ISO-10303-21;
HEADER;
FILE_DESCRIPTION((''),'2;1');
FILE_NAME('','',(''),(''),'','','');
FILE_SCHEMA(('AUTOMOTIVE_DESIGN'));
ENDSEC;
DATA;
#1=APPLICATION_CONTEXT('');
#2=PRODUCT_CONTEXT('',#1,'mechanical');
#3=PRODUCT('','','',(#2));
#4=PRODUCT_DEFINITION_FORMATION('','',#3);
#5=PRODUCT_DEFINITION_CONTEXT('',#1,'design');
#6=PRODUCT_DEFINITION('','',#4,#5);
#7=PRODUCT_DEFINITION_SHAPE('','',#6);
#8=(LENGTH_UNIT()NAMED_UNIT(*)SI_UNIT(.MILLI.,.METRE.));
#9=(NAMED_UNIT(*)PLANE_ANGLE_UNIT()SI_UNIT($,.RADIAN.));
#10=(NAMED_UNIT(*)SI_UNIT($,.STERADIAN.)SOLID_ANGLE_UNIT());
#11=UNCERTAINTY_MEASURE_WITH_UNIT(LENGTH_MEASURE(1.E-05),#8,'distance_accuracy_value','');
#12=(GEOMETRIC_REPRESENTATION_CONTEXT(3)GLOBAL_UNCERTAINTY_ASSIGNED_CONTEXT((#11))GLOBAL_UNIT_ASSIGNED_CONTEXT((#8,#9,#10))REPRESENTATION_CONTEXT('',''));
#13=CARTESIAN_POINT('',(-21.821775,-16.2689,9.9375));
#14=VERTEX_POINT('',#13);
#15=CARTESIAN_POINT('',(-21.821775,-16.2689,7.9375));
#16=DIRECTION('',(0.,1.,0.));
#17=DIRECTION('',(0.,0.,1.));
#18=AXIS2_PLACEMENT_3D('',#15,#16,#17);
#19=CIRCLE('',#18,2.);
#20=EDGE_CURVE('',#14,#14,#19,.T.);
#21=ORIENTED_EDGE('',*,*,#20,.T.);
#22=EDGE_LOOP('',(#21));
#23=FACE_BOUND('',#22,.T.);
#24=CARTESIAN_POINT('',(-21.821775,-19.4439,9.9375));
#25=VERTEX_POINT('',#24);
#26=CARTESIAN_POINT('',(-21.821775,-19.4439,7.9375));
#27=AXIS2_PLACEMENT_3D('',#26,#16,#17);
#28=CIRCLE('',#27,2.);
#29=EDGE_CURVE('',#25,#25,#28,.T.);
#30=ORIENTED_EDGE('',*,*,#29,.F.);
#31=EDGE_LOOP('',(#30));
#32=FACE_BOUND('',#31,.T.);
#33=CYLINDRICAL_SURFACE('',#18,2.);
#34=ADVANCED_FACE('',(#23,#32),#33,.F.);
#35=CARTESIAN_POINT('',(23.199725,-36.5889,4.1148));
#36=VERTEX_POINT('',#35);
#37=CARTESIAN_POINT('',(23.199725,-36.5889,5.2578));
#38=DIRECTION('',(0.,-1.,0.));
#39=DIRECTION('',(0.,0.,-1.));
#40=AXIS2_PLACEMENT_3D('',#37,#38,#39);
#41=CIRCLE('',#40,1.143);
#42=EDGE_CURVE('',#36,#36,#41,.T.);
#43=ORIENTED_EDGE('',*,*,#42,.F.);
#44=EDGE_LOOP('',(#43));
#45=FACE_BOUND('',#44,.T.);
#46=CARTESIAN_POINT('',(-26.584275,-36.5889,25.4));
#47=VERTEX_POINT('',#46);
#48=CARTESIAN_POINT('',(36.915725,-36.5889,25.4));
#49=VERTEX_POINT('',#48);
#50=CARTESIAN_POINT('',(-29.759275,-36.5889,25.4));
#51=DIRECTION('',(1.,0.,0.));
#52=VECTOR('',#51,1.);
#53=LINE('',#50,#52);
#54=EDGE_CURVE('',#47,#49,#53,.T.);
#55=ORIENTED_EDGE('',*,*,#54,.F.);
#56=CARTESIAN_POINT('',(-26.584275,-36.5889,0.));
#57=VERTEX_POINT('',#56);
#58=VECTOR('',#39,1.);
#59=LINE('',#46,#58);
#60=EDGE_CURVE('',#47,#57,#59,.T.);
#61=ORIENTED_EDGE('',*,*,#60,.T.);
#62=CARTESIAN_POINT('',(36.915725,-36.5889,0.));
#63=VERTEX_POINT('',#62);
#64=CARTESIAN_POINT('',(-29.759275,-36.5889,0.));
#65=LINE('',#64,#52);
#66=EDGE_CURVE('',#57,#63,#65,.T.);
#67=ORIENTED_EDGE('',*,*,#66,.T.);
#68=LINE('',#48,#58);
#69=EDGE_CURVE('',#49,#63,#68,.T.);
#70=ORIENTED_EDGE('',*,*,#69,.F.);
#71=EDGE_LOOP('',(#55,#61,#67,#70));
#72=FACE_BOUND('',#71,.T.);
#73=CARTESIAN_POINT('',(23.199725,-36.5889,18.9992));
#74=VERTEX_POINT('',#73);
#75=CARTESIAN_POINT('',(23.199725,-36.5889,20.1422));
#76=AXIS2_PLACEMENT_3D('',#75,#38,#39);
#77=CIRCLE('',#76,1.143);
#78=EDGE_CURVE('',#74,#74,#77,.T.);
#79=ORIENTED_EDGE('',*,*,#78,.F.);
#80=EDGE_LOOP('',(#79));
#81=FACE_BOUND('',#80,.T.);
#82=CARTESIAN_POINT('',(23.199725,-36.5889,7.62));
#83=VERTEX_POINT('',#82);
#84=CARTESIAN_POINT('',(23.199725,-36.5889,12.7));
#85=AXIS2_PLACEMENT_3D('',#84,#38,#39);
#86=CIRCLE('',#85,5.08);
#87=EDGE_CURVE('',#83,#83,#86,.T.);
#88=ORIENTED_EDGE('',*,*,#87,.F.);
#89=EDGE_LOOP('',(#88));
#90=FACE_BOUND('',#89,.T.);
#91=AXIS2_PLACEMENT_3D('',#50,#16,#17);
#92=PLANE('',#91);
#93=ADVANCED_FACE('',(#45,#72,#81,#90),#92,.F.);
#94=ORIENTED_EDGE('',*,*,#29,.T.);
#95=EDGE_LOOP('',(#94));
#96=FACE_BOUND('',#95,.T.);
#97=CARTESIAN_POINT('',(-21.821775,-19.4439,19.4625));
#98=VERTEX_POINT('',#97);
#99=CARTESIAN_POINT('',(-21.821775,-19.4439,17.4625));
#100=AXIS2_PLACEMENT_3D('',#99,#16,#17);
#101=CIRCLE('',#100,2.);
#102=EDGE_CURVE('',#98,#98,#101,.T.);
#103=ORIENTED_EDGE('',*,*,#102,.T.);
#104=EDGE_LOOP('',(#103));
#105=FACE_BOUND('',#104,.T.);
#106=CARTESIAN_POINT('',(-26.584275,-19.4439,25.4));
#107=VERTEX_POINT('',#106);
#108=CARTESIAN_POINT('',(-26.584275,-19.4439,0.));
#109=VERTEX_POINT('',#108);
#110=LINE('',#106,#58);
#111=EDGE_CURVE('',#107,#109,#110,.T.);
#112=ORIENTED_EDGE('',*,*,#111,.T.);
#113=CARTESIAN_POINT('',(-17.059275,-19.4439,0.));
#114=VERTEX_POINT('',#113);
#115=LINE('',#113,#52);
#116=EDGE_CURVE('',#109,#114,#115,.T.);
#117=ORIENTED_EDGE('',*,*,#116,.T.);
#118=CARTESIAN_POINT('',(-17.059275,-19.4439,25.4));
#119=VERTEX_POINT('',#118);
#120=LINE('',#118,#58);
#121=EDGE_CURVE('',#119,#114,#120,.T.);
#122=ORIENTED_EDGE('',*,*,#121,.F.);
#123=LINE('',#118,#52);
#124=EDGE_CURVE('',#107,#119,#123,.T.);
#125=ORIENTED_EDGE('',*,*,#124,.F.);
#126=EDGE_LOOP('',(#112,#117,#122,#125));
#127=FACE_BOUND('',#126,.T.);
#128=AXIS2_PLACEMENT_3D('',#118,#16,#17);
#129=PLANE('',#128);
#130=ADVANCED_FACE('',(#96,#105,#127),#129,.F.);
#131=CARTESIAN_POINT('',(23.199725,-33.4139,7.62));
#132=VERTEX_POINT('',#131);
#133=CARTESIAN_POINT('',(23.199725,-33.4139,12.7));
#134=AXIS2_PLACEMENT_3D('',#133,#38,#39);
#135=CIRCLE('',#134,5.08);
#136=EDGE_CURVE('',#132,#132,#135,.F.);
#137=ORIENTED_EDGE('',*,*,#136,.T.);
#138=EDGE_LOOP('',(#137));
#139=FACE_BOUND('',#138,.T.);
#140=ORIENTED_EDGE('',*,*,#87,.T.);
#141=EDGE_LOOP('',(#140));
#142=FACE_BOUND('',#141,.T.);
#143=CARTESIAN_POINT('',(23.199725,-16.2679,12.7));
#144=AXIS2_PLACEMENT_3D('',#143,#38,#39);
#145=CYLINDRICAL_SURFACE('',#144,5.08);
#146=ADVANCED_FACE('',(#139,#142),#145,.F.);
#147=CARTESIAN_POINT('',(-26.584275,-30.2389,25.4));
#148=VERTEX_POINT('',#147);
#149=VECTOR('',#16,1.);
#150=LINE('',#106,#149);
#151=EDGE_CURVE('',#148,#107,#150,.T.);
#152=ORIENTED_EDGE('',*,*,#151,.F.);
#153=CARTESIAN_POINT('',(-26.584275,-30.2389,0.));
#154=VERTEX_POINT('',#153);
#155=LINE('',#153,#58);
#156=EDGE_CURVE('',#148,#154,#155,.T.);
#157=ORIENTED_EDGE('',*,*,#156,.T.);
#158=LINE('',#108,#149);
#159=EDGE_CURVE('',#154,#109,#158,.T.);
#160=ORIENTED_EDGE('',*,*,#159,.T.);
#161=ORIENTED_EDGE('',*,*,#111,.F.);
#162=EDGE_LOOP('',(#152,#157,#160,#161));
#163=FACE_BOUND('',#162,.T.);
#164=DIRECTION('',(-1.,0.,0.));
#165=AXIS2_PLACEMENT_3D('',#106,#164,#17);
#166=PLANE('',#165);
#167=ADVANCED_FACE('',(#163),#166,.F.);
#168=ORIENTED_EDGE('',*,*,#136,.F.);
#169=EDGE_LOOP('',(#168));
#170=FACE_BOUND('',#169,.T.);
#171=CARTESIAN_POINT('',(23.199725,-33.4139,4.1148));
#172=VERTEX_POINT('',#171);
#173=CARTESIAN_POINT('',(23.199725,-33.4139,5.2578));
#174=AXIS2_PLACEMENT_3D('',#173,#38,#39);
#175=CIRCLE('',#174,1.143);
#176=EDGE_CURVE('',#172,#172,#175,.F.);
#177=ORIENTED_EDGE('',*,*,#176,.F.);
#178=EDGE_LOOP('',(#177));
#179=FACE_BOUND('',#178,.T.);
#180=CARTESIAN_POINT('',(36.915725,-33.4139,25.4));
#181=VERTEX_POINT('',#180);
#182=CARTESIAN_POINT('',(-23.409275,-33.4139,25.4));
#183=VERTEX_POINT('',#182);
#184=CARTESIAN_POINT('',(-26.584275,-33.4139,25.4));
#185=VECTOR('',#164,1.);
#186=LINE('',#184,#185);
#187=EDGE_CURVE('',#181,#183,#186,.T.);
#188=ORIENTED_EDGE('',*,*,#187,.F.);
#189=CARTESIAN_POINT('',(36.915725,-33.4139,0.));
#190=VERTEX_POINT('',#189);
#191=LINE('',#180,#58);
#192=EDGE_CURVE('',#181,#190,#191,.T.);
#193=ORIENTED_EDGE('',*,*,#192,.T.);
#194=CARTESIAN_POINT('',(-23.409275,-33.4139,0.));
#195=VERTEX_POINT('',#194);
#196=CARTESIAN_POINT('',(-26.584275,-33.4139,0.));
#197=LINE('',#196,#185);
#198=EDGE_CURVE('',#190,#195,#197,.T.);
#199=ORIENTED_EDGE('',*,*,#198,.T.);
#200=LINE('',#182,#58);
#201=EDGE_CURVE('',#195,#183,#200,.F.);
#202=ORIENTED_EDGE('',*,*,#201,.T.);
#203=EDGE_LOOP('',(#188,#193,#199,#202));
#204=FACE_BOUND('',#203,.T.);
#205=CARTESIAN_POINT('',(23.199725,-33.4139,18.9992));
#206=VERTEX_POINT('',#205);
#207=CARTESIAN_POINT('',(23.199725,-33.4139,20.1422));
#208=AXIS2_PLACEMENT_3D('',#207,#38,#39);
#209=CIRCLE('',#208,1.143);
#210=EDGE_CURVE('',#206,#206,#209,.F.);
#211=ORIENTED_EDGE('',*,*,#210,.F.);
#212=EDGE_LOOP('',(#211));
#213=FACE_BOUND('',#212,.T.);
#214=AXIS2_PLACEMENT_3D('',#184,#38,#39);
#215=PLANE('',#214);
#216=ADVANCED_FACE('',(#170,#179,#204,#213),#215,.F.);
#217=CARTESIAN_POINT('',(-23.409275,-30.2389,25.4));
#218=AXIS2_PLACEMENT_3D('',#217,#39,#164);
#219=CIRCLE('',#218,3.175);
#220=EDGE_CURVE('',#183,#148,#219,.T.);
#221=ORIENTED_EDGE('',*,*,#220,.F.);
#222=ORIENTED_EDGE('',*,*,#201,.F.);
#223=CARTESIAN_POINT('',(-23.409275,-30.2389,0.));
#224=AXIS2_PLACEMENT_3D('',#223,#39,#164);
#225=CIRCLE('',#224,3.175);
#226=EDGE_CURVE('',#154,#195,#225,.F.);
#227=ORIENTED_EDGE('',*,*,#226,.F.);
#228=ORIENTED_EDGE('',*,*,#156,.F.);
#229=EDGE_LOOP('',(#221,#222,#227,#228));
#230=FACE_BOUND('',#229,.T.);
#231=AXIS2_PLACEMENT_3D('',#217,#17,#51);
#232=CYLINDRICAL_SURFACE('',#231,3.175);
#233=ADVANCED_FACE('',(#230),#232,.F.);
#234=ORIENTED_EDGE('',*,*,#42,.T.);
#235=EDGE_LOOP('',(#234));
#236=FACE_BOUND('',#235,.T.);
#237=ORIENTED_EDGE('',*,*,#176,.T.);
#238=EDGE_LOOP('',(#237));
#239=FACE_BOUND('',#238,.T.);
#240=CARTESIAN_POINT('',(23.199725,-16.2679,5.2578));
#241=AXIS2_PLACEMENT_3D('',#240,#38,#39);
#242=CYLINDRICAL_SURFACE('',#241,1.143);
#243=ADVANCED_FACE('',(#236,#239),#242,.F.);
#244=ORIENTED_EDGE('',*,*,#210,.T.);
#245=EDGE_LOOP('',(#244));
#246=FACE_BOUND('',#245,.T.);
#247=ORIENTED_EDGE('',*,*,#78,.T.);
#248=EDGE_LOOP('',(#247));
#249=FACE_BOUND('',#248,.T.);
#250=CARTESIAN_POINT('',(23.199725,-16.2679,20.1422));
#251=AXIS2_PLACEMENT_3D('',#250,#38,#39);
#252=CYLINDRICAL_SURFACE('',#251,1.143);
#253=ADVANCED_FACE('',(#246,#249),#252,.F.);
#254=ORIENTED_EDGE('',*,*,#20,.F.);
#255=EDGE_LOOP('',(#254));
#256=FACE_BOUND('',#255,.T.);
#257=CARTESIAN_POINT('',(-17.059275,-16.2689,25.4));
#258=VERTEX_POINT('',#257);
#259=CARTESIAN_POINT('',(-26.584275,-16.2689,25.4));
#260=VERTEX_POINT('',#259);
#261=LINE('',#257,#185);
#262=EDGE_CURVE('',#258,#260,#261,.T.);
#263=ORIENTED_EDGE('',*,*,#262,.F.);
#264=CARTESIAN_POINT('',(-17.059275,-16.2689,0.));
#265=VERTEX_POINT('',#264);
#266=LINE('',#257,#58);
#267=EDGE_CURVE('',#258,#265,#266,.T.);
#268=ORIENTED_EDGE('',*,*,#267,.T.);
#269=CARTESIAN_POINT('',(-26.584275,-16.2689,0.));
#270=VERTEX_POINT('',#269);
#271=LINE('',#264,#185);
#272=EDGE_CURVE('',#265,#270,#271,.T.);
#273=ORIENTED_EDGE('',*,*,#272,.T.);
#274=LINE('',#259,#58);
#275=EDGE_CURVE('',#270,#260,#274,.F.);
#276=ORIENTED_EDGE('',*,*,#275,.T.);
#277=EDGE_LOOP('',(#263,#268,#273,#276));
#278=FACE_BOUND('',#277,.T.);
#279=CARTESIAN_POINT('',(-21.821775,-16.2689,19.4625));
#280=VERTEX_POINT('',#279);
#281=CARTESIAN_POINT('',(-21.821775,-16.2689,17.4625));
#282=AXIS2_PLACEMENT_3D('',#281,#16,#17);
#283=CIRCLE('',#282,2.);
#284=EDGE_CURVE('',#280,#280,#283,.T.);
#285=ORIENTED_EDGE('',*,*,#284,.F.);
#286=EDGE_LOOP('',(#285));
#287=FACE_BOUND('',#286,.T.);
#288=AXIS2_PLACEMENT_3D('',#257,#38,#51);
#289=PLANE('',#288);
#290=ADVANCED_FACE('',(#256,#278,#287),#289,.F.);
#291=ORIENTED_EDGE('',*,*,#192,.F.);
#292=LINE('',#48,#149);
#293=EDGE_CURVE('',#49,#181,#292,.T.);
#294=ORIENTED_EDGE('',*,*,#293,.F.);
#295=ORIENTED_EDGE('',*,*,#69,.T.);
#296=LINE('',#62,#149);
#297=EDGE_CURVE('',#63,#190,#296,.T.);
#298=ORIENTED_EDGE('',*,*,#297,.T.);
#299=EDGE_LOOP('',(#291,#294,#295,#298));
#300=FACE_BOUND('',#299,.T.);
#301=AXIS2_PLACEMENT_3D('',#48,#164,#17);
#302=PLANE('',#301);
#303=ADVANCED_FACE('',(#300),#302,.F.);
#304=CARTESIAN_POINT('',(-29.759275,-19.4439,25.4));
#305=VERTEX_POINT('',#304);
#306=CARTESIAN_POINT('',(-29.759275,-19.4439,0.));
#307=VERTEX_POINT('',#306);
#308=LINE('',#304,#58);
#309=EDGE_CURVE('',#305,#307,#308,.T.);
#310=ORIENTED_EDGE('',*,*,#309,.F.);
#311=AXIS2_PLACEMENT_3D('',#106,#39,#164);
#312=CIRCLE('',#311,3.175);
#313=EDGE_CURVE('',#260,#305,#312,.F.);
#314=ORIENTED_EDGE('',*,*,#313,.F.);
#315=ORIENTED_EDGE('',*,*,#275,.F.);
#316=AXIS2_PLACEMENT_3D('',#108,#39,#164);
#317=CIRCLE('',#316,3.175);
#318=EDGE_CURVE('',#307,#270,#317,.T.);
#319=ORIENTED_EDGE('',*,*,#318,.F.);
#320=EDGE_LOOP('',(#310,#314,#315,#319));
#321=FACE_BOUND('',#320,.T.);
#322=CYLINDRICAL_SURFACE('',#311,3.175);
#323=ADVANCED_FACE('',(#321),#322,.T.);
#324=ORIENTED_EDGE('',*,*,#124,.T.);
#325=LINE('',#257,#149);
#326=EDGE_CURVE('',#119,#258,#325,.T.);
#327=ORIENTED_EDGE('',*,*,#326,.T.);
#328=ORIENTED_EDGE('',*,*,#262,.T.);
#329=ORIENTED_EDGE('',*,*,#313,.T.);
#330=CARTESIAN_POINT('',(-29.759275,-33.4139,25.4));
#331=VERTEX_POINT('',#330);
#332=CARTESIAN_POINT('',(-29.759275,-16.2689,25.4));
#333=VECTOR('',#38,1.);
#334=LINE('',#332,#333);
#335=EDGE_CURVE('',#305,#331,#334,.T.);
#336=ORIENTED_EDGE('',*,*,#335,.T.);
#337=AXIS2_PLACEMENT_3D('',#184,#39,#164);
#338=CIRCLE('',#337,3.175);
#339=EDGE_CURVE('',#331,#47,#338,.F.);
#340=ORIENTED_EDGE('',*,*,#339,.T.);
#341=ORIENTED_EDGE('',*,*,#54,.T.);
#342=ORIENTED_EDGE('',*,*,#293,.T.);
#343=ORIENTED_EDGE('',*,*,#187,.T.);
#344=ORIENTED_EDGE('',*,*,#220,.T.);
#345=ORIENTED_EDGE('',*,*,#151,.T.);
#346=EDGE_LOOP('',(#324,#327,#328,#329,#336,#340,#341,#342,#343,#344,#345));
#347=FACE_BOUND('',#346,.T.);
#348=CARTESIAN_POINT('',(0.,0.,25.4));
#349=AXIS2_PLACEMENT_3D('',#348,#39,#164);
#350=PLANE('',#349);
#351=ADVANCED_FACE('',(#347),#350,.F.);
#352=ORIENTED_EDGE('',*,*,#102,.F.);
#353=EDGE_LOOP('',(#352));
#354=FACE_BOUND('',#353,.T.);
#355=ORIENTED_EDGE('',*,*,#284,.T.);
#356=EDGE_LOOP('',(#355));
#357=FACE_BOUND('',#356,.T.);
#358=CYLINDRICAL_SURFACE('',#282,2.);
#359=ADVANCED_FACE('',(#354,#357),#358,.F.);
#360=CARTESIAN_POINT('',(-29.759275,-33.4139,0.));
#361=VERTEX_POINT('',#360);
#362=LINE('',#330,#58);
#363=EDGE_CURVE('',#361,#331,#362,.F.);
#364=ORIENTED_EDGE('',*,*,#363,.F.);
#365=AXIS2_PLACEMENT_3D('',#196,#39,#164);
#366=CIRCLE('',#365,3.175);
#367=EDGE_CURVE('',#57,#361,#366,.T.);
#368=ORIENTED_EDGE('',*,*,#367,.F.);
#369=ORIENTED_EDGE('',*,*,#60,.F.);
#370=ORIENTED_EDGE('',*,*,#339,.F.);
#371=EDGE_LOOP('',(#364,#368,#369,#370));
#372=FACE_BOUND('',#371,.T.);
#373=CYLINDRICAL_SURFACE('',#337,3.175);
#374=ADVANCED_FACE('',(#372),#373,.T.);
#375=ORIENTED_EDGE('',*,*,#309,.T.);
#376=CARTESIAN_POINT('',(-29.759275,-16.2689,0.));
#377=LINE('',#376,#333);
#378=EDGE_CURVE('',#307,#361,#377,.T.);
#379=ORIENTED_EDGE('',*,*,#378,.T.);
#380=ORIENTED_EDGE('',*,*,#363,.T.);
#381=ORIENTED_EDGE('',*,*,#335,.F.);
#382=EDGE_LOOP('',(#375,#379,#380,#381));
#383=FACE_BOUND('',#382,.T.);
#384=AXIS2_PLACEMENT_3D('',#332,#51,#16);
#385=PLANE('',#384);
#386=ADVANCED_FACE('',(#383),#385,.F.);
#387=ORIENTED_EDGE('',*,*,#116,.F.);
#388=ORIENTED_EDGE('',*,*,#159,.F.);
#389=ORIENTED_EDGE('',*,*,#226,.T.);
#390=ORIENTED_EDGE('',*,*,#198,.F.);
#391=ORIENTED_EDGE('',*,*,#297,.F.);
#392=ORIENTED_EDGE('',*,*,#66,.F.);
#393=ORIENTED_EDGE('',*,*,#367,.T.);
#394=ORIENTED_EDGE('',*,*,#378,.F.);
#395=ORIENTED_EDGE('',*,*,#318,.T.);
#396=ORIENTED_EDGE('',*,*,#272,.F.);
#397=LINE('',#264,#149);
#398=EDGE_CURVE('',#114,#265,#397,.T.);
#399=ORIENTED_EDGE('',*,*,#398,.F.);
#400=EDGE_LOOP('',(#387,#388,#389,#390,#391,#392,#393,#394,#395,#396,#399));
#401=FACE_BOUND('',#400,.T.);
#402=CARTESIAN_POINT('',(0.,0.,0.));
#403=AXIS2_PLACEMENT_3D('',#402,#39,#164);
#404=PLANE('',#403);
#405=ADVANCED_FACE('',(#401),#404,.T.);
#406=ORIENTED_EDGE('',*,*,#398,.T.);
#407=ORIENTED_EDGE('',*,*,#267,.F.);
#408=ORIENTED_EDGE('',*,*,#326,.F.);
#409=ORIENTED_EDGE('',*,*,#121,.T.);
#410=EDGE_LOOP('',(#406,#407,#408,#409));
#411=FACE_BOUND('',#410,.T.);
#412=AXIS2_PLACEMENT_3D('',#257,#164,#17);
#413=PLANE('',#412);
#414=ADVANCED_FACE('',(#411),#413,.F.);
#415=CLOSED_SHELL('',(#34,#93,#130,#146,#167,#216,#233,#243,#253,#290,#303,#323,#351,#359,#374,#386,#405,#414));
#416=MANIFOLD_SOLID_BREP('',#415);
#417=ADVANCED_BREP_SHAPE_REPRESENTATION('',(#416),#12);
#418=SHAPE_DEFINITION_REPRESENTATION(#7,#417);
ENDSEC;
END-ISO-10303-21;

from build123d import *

# Parameters (mm, degrees)
BOSS_EXTRUDE1_DEPTH       = 25.4
F_4_0MM_DOWEL_HOLE1_D     = 4
F_4_0MM_DOWEL_HOLE1_DEPTH = 3.175
CUT_EXTRUDE1_REACH        = 51.202
SKETCH7_R                 = 5.08
SKETCH7_R_2               = 1.143
FILLET1_R                 = 3.175


with BuildPart() as part:
    # Sketch1 → Boss-Extrude1 (new body)
    with BuildSketch(Plane.XY):
        Polygon((-17.059275079, -16.268900152), (-29.759275079, -16.268900152), (-29.759275079, -36.588900152), (36.915724921, -36.588900152), (36.915724921, -33.413900152), (-26.584275079, -33.413900152), (-26.584275079, -19.443900152), (-17.059275079, -19.443900152), align=None)
    extrude(amount=BOSS_EXTRUDE1_DEPTH)

    # Ø4.0mm Dowel Hole1
    with Locations(Plane(origin=(0, -16.268900152, 0), x_dir=(1, 0, 0), z_dir=(0, 1, 0))):
        with Locations((-21.821775079, -7.9375), (-21.821775079, -17.4625)):
            Hole(F_4_0MM_DOWEL_HOLE1_D / 2, depth=F_4_0MM_DOWEL_HOLE1_DEPTH)

    # Sketch7 → Cut-Extrude1 (cut, up to next)
    with BuildSketch(Plane.XZ.offset(36.588900152), mode=Mode.PRIVATE) as cut_extrude1_sk1:
        with Locations(Location((23.199724921, 12.7, 0), (0, 0, 270))):
            Circle(SKETCH7_R)
    cut_extrude1_tool1 = extrude(cut_extrude1_sk1.sketch, amount=-CUT_EXTRUDE1_REACH, mode=Mode.PRIVATE) & part.part
    # Sketch7 → Cut-Extrude1 (cut, up to next)
    with BuildSketch(Plane.XZ.offset(36.588900152), mode=Mode.PRIVATE) as cut_extrude1_sk2:
        with Locations(Location((23.199724921, 5.2578, 0), (0, 0, 270))):
            Circle(SKETCH7_R_2)
    cut_extrude1_tool2 = extrude(cut_extrude1_sk2.sketch, amount=-CUT_EXTRUDE1_REACH, mode=Mode.PRIVATE) & part.part
    # Sketch7 → Cut-Extrude1 (cut, up to next)
    with BuildSketch(Plane.XZ.offset(36.588900152), mode=Mode.PRIVATE) as cut_extrude1_sk3:
        with Locations(Location((23.199724921, 20.1422, 0), (0, 0, 270))):
            Circle(SKETCH7_R_2)
    cut_extrude1_tool3 = extrude(cut_extrude1_sk3.sketch, amount=-CUT_EXTRUDE1_REACH, mode=Mode.PRIVATE) & part.part
    add(cut_extrude1_tool1.solids().sort_by_distance((23.199725, -36.5889, 12.7))[0], mode=Mode.SUBTRACT)
    add(cut_extrude1_tool2.solids().sort_by_distance((23.199725, -36.5889, 5.2578))[0], mode=Mode.SUBTRACT)
    add(cut_extrude1_tool3.solids().sort_by_distance((23.199725, -36.5889, 20.1422))[0], mode=Mode.SUBTRACT)

    # Fillet1
    fillet1_edges = [part.edges().sort_by_distance(p)[0] for p in [
        (-26.584275079, -33.413900152, 12.7),
        (-29.759275079, -36.588900152, 12.7),
        (-29.759275079, -16.268900152, 12.7),
    ]]
    fillet(fillet1_edges, radius=FILLET1_R)


solid = part.part
